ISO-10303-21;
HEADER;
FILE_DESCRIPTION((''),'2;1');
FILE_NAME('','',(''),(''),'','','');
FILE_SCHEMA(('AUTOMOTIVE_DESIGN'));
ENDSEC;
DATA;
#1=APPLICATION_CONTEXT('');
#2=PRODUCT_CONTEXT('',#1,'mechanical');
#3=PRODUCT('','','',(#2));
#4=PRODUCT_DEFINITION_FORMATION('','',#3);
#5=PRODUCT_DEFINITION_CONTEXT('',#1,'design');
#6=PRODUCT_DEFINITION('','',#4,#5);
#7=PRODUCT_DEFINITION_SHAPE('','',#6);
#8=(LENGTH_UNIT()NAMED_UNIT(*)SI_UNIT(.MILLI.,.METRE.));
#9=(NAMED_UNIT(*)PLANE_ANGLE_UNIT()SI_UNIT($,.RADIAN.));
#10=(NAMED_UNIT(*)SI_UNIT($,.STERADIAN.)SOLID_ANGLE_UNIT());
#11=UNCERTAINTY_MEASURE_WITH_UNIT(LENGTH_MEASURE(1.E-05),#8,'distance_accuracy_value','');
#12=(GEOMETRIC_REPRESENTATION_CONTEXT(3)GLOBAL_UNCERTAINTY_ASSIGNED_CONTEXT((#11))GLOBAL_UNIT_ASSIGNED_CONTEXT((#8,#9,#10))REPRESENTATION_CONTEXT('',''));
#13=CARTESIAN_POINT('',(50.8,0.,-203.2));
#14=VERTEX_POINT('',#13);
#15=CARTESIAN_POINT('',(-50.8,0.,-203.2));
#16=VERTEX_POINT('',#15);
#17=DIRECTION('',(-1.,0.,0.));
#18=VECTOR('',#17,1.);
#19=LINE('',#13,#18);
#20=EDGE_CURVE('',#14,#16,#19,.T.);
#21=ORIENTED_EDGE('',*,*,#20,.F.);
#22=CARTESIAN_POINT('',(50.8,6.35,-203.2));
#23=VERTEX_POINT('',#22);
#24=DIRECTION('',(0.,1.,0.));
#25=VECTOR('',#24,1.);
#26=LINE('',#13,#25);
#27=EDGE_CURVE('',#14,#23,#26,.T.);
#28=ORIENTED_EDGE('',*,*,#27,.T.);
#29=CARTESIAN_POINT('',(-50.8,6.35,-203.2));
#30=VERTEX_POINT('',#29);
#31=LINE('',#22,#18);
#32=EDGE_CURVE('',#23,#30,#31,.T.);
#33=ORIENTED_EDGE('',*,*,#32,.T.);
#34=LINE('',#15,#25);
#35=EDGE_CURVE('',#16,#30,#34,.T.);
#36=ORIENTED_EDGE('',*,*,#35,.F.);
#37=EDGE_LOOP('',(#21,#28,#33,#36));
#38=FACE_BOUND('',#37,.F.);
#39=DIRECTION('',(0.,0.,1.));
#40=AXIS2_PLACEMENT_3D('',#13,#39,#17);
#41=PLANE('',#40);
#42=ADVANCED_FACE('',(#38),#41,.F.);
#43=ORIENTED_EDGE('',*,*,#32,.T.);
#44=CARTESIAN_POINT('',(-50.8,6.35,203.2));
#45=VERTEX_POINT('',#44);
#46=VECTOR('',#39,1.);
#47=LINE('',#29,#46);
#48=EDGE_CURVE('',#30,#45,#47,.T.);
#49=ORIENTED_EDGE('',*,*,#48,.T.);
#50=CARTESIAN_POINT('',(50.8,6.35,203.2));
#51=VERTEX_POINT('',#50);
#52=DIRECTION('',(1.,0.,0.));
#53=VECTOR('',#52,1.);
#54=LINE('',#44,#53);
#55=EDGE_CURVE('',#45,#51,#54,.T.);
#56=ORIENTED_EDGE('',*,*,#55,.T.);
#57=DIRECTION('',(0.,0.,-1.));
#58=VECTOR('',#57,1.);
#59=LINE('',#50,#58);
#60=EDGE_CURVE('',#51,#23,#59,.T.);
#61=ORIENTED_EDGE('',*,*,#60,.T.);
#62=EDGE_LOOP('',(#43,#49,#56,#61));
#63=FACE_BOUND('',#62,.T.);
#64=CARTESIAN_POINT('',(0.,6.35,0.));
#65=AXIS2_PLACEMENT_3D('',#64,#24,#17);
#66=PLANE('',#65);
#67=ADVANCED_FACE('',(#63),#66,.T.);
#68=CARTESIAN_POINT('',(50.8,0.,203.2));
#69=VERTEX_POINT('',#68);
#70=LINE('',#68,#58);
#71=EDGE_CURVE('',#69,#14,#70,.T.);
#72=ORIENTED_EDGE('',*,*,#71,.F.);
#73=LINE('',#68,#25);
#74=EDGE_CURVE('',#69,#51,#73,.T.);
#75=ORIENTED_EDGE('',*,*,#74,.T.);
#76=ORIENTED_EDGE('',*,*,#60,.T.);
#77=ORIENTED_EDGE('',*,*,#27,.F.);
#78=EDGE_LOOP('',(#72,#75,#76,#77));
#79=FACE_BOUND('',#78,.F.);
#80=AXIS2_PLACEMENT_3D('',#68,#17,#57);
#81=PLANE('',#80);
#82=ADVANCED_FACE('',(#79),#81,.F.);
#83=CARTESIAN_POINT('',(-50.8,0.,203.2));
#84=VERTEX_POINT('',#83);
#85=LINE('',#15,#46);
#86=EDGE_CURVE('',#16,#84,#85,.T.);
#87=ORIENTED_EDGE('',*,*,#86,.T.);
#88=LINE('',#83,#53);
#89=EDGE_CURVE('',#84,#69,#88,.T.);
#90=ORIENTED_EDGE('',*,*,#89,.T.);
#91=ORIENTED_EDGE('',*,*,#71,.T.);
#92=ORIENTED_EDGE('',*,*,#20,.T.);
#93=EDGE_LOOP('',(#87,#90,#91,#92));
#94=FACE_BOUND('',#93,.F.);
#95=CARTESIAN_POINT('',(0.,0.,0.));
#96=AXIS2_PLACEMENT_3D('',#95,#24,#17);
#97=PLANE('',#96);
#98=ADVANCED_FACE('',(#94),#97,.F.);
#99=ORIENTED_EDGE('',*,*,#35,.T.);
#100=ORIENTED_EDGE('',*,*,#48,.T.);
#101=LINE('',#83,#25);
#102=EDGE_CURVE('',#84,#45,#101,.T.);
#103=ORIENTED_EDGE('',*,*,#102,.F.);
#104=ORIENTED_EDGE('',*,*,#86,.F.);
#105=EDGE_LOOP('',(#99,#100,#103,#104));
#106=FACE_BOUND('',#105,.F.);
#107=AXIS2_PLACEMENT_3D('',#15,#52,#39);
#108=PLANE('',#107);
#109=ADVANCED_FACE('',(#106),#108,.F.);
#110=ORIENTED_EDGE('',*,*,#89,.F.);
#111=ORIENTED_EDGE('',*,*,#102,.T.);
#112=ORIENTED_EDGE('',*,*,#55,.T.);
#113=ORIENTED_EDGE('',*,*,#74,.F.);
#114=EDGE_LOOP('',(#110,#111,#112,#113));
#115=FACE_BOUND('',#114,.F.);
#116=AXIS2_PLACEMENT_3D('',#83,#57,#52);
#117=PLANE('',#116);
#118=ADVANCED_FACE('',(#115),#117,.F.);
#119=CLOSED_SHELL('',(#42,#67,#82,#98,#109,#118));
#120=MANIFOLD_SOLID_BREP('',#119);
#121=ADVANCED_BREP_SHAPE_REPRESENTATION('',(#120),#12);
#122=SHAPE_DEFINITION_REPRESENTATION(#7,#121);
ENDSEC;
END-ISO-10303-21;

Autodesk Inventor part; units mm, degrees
ref_plane "YZ Plane" through (0, 0, 0) normal (1, 0, 0) x (0, 1, 0)
ref_plane "XZ Plane" through (0, 0, 0) normal (0, 1, 0) x (-1, 0, 0)
ref_plane "XY Plane" through (0, 0, 0) normal (0, 0, 1) x (1, 0, 0)
sketch "Sketch1" plane through (0, 0, 0) normal (0, 1, 0) x (-1, 0, 0)
  line L0 (50.8, 203.2) -> (-50.8, 203.2)
  line L1 (-50.8, 203.2) -> (-50.8, -203.2)
  line L2 (-50.8, -203.2) -> (50.8, -203.2)
  line L3 (50.8, -203.2) -> (50.8, 203.2)
  line L4 (50.8, 203.2) -> (-50.8, -203.2) construction
  line L5 (-50.8, 203.2) -> (50.8, -203.2) construction
  point P0 (0, 0)
  dimension "d0" = 406.4
  dimension "d1" = 101.6
extrude "Extrusion1" add sketch "Sketch1" along normal blind 6.35
equation "\"d0\" = plateLength"
equation "\"d1\" = plateWidth"
equation "\"d2\" = plateThickness"
equation "\"plateWidth\" = 101.6"
equation "\"plateLength\" = 406.4"
equation "\"plateThickness\" = 6.35"
properties part number "supportPlate" material "Aluminum 6061"
